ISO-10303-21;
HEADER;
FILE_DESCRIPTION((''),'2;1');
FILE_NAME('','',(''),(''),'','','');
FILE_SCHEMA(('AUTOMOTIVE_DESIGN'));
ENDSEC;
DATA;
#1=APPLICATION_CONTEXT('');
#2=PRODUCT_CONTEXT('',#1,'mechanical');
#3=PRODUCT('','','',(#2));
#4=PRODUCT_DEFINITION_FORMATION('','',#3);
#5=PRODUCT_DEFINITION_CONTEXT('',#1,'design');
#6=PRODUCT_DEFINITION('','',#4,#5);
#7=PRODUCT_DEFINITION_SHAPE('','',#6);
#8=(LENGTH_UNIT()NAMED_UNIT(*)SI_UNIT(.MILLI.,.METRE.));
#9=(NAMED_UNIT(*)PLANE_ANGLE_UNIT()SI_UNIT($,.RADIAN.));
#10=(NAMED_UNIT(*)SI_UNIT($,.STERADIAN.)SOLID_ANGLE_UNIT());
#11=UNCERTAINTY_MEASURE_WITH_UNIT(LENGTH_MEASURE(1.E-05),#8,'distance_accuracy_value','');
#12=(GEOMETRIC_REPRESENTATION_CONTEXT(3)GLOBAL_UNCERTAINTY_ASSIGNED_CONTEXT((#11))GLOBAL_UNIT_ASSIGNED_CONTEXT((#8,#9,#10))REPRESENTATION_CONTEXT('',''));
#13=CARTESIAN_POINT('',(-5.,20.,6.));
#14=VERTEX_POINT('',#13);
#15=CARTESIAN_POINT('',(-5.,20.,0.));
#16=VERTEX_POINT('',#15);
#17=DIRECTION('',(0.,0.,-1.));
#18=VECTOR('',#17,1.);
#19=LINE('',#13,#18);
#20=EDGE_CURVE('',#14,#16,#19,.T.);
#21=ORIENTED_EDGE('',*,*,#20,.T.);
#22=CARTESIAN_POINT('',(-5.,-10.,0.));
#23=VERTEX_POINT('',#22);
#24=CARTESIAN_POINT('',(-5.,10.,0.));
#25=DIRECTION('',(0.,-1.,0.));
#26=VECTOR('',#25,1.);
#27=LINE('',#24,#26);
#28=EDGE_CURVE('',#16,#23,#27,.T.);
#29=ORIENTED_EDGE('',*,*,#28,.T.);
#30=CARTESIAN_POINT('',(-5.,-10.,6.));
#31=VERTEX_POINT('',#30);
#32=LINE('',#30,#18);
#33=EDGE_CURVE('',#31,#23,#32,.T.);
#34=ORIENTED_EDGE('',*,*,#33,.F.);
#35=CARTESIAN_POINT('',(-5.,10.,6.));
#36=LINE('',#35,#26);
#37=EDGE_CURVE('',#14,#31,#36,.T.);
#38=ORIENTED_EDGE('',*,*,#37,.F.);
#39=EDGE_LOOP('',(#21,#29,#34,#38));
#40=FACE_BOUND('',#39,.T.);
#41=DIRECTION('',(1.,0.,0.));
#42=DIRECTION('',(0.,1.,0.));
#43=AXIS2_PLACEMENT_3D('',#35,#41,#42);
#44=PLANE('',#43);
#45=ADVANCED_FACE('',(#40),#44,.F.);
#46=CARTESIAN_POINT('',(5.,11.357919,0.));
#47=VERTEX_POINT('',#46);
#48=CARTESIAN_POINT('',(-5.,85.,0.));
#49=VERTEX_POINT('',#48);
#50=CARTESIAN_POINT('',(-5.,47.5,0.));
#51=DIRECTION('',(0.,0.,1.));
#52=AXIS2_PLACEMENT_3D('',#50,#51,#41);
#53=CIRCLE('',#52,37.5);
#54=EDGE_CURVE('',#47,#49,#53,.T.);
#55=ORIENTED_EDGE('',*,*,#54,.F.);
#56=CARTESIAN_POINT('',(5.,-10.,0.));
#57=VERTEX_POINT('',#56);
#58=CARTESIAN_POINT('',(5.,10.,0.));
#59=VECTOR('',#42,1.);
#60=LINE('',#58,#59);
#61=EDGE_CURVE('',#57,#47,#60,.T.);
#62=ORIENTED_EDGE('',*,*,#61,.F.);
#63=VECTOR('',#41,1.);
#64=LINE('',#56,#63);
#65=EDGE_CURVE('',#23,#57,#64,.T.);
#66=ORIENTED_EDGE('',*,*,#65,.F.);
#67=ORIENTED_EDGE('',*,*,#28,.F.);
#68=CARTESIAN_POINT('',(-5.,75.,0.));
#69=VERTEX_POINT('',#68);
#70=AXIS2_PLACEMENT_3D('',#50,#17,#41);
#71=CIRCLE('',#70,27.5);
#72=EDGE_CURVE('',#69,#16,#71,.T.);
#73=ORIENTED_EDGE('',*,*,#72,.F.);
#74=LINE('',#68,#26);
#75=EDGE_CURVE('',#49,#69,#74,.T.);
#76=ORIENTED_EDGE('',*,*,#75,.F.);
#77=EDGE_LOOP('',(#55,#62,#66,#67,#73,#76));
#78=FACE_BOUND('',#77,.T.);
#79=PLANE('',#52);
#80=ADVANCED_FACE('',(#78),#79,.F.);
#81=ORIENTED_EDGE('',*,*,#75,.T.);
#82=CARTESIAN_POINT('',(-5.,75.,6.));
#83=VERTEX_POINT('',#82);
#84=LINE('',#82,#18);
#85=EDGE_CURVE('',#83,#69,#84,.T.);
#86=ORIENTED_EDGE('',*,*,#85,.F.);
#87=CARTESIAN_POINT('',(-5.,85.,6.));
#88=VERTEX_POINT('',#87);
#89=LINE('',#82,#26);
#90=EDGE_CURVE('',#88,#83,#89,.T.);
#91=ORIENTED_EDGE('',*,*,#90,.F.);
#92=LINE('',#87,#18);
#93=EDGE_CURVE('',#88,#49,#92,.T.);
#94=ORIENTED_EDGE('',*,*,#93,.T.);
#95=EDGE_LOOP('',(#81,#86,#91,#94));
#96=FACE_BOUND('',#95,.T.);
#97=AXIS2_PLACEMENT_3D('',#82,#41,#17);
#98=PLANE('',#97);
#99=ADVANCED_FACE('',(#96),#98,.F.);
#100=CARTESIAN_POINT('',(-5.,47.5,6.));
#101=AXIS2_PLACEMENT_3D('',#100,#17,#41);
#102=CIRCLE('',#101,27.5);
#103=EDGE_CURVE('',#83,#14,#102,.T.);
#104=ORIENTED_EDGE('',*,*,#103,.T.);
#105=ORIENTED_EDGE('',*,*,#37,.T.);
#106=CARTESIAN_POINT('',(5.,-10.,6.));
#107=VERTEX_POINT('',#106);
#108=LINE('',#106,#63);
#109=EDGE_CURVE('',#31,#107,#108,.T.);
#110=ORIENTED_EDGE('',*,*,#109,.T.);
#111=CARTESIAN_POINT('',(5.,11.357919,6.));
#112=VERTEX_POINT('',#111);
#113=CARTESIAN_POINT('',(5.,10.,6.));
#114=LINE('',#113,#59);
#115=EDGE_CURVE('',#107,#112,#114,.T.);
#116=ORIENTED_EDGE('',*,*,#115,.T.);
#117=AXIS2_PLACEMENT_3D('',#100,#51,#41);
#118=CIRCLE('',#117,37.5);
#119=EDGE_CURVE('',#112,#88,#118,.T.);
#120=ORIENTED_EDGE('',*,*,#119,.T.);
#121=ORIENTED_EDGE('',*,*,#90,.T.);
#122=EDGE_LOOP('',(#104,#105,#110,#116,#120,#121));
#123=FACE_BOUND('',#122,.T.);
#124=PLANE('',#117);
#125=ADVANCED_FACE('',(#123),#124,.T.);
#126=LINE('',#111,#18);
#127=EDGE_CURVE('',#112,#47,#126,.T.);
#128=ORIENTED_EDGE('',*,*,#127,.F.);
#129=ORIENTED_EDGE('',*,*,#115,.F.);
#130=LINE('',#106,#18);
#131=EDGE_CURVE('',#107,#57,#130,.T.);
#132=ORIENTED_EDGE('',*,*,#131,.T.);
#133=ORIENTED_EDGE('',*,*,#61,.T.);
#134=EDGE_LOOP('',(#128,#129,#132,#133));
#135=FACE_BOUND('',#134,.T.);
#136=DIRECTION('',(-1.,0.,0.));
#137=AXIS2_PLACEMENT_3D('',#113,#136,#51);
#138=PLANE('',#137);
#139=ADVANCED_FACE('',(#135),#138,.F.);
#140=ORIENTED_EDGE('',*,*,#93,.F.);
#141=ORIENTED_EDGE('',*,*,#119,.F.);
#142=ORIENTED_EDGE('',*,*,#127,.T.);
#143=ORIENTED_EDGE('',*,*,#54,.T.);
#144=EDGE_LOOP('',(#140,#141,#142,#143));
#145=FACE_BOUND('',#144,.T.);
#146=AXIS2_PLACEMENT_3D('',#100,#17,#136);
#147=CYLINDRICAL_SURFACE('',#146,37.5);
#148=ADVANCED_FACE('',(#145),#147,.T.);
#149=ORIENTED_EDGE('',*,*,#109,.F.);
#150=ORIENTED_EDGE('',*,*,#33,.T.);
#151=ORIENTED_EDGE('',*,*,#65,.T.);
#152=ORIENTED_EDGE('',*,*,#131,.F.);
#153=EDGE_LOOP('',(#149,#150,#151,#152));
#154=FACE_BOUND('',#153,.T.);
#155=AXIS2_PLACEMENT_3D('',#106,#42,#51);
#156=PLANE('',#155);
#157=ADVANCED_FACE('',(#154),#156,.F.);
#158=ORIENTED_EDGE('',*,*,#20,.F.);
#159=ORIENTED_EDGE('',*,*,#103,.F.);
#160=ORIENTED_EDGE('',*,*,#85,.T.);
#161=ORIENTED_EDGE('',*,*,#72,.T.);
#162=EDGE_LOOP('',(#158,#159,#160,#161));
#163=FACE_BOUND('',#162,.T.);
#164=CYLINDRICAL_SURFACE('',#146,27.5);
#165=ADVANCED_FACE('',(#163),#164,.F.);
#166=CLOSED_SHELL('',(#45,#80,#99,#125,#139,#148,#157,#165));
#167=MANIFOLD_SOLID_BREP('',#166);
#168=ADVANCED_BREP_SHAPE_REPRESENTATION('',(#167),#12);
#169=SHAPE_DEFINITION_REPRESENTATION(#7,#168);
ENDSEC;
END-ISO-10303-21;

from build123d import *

# Parameters (mm, degrees)
BOSS_EXTRUDE1_DEPTH = 6


with BuildPart() as part:
    # Sketch1 → Boss-Extrude1 (new body)
    with BuildSketch(Plane(origin=(0, 0, 0), x_dir=(0, 1, 0), z_dir=(0, 0, 1))):
        with BuildLine():
            Line((10, 5), (20, 5))
            ThreePointArc((20, 5), (47.5, -22.5), (75, 5))
            Line((75, 5), (85, 5))
            ThreePointArc((85, 5), (52.545888047, -32.158969493), (11.357919263, -5))
            Line((11.357919263, -5), (10, -5))
            Line((10, -5), (-10, -5))
            Line((-10, -5), (-10, 5))
            Line((-10, 5), (10, 5))
        make_face()
    extrude(amount=BOSS_EXTRUDE1_DEPTH)


solid = part.part
